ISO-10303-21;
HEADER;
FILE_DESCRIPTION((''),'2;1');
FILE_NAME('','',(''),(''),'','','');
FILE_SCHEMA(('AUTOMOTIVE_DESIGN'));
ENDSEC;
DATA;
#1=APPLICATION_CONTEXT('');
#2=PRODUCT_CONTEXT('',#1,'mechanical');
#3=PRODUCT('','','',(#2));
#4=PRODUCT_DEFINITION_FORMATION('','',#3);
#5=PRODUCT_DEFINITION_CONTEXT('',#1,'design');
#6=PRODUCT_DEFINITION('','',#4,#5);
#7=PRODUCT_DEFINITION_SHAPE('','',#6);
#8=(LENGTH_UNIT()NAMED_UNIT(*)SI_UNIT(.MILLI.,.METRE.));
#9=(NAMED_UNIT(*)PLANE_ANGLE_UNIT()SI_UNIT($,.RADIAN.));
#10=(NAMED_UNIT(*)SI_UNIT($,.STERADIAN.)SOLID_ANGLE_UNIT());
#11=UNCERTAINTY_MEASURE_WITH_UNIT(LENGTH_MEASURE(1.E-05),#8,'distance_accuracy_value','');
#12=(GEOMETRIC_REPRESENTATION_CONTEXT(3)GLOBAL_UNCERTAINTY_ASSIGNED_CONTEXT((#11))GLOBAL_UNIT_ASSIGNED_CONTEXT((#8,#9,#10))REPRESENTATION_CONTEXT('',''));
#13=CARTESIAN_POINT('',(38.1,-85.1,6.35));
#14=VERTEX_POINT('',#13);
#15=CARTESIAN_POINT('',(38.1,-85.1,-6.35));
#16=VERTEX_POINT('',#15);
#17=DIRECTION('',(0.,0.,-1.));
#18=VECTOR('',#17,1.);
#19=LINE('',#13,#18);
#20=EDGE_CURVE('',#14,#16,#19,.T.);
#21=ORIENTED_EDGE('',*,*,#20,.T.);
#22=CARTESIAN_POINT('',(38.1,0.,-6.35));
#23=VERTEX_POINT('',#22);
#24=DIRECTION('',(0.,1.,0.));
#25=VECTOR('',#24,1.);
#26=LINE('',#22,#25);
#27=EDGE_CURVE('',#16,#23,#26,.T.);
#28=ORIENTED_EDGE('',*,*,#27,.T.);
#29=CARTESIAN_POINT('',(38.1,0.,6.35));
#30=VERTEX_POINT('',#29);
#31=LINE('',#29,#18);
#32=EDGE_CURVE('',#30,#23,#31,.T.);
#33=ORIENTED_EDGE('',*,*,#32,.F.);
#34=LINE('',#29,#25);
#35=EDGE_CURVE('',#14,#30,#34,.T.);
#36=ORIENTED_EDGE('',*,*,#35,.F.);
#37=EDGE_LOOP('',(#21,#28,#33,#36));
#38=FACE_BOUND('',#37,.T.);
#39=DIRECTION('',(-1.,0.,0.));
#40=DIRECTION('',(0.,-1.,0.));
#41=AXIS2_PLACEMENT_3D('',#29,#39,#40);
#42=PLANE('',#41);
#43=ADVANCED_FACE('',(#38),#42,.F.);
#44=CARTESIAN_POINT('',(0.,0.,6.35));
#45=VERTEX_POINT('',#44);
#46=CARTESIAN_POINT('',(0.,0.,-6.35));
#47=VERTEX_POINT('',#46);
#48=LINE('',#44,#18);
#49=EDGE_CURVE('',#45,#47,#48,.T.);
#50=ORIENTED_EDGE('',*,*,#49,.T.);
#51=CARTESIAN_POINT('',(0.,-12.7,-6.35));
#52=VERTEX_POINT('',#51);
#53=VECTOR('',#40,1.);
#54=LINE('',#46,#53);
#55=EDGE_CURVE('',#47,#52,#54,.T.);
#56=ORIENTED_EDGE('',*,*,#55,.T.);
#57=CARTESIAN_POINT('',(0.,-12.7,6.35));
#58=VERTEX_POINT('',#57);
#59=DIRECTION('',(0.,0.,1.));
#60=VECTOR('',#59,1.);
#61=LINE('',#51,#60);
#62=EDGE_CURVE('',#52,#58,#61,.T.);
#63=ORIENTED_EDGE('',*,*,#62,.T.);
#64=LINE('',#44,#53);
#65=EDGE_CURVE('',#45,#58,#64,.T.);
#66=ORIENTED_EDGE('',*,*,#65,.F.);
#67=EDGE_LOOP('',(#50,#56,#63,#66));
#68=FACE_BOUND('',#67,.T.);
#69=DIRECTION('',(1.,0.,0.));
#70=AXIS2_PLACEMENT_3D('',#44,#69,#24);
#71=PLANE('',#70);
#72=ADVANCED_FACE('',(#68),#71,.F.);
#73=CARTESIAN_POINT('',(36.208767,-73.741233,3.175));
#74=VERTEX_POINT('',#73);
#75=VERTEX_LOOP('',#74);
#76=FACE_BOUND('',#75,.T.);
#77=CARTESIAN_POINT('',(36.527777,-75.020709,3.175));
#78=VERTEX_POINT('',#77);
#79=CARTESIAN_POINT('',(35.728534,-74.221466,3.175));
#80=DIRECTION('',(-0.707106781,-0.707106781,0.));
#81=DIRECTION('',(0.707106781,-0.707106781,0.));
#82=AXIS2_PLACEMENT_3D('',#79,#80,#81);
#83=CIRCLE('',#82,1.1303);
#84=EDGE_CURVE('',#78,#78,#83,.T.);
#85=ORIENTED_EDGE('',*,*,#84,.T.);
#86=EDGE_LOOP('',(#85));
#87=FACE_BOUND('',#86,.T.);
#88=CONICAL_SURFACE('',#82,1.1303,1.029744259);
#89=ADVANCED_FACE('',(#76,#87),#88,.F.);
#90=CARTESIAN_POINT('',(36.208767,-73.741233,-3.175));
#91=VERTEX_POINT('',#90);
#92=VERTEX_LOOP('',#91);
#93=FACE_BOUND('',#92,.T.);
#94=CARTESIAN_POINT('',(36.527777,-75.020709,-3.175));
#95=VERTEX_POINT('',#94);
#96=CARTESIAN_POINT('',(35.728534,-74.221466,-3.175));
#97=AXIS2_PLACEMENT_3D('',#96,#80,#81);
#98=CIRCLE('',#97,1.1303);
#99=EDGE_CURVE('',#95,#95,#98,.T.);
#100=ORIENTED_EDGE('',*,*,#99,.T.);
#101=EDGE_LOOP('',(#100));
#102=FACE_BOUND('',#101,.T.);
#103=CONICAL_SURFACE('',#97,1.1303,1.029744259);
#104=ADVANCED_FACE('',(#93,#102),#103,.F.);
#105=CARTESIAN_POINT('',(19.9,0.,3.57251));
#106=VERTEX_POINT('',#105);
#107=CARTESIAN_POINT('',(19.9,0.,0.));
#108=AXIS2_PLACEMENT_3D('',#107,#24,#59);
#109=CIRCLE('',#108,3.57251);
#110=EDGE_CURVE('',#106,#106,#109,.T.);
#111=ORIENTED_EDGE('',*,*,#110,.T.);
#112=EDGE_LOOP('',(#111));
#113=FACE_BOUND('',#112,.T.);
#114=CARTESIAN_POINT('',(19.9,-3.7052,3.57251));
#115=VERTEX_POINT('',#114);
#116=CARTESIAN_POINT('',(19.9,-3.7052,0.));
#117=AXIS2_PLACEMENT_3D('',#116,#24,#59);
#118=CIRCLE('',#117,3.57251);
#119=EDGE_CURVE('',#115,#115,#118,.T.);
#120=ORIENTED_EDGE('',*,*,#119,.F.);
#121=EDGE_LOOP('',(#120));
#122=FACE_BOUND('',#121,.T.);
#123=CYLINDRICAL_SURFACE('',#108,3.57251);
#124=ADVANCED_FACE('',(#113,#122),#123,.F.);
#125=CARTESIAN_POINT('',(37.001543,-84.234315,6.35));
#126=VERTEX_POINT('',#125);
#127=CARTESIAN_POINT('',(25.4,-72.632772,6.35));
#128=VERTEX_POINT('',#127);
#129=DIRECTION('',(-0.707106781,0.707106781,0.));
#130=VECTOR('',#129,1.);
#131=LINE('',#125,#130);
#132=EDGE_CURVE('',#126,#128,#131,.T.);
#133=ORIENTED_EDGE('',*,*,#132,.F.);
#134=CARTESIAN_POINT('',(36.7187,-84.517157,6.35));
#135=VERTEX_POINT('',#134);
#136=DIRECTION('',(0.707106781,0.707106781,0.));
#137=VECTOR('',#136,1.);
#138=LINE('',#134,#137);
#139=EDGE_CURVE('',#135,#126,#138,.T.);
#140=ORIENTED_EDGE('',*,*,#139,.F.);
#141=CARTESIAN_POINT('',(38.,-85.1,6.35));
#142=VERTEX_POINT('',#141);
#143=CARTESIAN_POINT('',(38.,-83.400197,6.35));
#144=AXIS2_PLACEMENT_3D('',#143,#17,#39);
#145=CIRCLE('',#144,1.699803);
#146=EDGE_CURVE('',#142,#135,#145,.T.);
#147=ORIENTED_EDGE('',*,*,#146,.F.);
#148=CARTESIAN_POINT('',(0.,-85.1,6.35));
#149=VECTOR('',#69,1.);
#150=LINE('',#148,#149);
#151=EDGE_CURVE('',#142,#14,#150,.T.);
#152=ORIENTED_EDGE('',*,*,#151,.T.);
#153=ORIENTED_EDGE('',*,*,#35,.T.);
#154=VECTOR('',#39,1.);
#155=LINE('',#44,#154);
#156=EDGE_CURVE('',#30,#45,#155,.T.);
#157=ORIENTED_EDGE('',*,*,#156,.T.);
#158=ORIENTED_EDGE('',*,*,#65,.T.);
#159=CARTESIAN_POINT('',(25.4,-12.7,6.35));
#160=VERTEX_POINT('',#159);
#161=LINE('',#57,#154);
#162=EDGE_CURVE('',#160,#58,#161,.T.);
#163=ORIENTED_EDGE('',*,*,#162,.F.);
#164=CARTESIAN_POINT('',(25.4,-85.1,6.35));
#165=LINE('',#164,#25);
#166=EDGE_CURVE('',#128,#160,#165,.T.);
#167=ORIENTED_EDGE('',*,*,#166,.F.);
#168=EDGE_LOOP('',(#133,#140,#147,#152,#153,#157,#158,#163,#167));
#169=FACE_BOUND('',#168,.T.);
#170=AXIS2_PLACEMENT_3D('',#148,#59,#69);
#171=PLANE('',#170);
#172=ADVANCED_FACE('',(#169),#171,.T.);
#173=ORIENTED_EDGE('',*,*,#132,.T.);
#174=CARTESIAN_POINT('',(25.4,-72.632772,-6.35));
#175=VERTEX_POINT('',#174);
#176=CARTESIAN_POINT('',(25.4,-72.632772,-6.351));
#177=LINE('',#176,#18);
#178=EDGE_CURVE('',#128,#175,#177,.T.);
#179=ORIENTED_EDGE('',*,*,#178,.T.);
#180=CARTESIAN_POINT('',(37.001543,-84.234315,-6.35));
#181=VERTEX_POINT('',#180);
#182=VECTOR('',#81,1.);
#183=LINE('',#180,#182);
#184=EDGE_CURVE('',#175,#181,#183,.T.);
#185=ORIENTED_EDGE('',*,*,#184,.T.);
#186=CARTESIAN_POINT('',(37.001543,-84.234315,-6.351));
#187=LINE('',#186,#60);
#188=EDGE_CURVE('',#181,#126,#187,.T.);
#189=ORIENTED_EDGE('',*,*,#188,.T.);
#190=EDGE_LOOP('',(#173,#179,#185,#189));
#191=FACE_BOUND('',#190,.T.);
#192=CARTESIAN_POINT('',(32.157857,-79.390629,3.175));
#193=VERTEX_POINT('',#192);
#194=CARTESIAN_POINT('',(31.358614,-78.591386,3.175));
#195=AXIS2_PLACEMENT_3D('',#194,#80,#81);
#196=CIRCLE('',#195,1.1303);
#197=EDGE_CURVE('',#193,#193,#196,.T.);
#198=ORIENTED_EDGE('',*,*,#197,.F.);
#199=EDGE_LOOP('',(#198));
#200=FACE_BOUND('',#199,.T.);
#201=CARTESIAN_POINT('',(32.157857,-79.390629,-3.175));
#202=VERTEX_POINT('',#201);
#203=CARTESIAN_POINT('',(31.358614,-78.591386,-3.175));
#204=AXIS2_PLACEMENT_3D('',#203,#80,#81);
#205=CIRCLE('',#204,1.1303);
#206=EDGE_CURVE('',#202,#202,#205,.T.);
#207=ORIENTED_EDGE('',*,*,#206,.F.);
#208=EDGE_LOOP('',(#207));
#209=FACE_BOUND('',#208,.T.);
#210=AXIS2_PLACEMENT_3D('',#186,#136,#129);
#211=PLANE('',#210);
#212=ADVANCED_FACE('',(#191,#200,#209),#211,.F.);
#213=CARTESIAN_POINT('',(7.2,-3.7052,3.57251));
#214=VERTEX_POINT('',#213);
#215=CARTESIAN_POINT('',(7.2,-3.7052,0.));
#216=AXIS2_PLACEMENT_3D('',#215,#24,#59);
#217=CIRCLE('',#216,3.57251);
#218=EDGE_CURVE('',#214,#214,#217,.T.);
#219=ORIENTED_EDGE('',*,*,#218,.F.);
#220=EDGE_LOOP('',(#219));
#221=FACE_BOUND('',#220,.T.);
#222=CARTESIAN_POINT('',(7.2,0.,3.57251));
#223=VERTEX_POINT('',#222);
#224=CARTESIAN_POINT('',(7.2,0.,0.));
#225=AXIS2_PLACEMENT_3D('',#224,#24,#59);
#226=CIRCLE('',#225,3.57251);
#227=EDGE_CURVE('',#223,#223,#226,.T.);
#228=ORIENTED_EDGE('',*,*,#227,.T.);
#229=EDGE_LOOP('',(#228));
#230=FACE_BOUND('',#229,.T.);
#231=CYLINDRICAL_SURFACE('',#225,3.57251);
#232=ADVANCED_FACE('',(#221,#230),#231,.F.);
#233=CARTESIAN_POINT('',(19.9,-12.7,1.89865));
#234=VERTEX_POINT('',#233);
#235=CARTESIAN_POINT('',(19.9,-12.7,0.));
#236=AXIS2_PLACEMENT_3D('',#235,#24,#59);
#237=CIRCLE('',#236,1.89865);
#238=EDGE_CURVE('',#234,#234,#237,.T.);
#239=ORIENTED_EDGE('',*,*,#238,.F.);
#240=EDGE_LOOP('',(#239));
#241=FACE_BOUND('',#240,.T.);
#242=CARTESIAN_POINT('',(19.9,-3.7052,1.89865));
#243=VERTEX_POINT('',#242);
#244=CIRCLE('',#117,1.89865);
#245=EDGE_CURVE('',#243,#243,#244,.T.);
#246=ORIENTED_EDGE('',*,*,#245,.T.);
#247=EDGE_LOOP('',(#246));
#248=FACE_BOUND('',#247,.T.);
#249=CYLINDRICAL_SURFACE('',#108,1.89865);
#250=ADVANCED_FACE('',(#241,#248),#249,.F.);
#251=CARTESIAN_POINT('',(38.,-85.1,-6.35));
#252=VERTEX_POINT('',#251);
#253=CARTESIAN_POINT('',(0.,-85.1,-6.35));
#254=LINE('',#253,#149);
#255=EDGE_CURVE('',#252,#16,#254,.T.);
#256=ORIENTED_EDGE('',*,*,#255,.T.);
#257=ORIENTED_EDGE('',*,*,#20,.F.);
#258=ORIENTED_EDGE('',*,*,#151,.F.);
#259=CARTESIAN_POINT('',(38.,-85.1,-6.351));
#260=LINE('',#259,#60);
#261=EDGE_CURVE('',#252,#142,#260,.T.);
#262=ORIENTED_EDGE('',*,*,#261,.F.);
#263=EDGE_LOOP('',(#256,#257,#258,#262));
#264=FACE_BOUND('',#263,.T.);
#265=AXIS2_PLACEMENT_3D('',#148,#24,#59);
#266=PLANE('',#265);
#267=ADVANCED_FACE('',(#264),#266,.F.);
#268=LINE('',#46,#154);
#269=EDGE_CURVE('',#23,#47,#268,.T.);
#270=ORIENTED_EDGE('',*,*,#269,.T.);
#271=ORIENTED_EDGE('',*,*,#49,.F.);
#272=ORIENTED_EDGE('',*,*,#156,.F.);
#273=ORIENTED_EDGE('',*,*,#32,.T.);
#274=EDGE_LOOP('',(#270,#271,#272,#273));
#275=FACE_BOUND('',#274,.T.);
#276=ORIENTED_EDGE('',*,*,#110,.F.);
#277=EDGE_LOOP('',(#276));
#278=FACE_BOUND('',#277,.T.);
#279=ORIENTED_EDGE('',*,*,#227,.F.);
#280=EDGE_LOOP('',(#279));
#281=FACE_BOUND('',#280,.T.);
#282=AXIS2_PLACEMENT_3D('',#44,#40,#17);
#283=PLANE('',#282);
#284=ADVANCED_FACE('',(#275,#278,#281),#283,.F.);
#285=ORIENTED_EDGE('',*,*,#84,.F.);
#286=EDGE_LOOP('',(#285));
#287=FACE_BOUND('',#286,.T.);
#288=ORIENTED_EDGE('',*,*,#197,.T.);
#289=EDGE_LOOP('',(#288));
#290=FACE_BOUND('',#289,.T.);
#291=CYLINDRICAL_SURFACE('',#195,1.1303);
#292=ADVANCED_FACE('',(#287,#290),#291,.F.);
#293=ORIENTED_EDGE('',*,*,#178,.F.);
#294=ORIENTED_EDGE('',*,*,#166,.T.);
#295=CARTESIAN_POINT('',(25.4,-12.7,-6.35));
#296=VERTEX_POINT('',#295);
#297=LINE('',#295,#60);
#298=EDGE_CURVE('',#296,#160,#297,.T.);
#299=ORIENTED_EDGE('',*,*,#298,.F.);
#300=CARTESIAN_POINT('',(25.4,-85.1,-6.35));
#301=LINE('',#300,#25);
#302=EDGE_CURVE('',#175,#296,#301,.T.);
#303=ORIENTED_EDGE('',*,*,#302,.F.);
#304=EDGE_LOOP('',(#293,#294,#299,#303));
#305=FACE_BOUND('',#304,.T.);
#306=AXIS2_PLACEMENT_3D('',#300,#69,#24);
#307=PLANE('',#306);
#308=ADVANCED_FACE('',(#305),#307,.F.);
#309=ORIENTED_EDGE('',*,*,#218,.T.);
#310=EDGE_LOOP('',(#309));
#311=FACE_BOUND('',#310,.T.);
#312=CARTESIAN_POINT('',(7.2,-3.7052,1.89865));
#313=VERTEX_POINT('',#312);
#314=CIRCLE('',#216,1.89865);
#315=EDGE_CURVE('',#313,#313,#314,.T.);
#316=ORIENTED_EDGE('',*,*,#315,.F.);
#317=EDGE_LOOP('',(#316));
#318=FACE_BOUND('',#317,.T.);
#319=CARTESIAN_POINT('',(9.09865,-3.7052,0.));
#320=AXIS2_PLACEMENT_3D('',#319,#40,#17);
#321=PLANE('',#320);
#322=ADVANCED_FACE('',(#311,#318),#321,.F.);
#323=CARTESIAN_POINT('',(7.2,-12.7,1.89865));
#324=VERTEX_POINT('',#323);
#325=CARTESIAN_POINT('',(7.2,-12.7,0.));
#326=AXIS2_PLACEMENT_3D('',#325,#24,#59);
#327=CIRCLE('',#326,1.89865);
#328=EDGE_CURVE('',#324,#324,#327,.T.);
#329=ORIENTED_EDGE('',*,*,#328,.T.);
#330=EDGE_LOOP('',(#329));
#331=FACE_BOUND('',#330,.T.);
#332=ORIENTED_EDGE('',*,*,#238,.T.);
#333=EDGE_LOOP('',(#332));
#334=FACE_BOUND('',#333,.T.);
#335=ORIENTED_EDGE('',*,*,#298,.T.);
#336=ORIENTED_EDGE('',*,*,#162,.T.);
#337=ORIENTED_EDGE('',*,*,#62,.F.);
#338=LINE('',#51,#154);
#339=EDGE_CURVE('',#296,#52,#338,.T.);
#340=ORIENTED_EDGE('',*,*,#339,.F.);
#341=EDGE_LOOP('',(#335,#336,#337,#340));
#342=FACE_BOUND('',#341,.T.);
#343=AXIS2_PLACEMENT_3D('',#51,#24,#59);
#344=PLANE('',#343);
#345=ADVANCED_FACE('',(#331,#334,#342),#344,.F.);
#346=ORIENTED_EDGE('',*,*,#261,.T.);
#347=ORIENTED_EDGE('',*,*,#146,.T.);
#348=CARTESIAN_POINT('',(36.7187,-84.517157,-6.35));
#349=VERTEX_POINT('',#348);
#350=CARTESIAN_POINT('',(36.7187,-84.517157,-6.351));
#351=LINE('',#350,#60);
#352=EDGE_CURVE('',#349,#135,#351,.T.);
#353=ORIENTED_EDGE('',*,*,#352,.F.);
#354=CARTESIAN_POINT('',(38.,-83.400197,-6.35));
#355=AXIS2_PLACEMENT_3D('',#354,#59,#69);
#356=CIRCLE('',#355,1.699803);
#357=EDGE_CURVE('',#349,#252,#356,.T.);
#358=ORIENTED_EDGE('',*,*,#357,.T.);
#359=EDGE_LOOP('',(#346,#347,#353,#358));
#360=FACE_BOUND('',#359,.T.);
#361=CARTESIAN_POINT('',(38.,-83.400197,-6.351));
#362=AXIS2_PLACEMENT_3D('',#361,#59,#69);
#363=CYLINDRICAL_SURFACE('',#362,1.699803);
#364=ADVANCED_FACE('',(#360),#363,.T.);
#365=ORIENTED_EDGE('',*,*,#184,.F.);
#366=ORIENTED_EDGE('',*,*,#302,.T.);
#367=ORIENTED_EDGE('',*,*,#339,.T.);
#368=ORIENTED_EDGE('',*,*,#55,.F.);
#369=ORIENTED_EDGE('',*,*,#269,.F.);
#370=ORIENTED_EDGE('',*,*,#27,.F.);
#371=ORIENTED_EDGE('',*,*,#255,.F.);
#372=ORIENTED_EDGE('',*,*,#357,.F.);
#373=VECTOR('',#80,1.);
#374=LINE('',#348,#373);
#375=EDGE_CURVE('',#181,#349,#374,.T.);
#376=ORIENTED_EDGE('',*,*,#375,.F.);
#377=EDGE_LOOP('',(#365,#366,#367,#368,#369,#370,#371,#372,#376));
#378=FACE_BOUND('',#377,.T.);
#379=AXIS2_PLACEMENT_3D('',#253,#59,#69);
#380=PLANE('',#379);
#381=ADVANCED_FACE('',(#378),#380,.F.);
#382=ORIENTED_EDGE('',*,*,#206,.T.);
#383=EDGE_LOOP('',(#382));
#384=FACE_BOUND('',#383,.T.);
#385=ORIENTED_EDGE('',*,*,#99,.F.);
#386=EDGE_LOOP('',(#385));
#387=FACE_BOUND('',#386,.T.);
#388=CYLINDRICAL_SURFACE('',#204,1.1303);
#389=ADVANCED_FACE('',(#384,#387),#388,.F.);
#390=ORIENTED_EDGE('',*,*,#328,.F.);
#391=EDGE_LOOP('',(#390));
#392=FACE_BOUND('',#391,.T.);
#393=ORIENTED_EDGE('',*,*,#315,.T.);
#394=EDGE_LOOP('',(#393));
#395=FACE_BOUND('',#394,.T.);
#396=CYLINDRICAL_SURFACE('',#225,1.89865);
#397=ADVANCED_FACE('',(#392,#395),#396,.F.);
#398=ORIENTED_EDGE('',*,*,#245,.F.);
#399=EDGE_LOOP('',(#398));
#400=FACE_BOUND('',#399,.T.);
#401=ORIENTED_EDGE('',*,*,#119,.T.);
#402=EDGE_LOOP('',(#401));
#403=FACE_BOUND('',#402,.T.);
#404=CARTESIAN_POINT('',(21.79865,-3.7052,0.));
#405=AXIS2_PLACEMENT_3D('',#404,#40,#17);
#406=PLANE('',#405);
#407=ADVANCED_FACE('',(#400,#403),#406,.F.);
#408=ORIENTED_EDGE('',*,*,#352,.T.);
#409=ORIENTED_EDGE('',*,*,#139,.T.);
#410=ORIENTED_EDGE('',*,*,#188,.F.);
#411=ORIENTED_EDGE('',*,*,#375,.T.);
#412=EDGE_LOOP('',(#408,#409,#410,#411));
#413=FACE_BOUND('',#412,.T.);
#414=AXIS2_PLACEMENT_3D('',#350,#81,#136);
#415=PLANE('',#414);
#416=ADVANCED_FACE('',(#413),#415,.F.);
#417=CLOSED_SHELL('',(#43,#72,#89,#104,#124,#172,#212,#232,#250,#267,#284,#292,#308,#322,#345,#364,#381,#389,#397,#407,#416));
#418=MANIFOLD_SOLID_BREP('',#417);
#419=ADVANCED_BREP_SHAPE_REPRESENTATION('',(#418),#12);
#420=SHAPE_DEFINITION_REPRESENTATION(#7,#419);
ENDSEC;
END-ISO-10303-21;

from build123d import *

# Parameters (mm, degrees)
SKETCH1_W                                      = 38.1
SKETCH1_H                                      = 85.1
BOSS_EXTRUDE1_DEPTH                            = 6.35
SKETCH2_W                                      = 25.4
SKETCH2_H                                      = 72.4
CUT_EXTRUDE1_DEPTH                             = 13.7
CBORE_FOR_6_SOCKET_HEAD_CAP_SCREW1_D           = 3.7973
CBORE_FOR_6_SOCKET_HEAD_CAP_SCREW1_CBORE_D     = 7.14502
CBORE_FOR_6_SOCKET_HEAD_CAP_SCREW1_CBORE_DEPTH = 3.7051996
CUT_EXTRUDE2_DEPTH                             = 13.7
CUT_EXTRUDE7_REACH                             = 14.7
F_4_40_TAPPED_HOLE1_D                          = 2.2606
F_4_40_TAPPED_HOLE1_DEPTH                      = 6.18
F_4_40_TAPPED_HOLE1_TIP                        = 0.679152758


with BuildPart() as part:
    # Sketch1 → Boss-Extrude1 (new body, symmetric)
    with BuildSketch(Plane.XY):
        with Locations((19.05, -42.55)):
            Rectangle(SKETCH1_W, SKETCH1_H)
    extrude(amount=BOSS_EXTRUDE1_DEPTH, both=True)

    # Sketch2 → Cut-Extrude1 (cut, through all)
    with BuildSketch(Plane.XY.offset(6.35)):
        with Locations((12.7, -48.9)):
            Rectangle(SKETCH2_W, SKETCH2_H)
    extrude(amount=-CUT_EXTRUDE1_DEPTH, mode=Mode.SUBTRACT)

    # CBORE for #6 Socket Head Cap Screw1 (through all)
    with Locations(Plane(origin=(0, 0, 0), x_dir=(-1, 0, 0), z_dir=(0, 1, 0))):
        with Locations((-7.2, 0), (-19.9, 0)):
            CounterBoreHole(CBORE_FOR_6_SOCKET_HEAD_CAP_SCREW1_D / 2, CBORE_FOR_6_SOCKET_HEAD_CAP_SCREW1_CBORE_D / 2, CBORE_FOR_6_SOCKET_HEAD_CAP_SCREW1_CBORE_DEPTH)

    # Sketch9 → Cut-Extrude2 (cut, through all)
    with BuildSketch(Plane.XY.offset(6.35)):
        with BuildLine():
            Line((25.4, -84.8), (36.685857157, -84.8))
            ThreePointArc((36.685857157, -84.8), (37.012701665, -85.021954446), (37.4, -85.1))
            Line((37.4, -85.1), (38.1, -85.1))
            Line((38.1, -85.1), (38.1, -88.1))
            Line((38.1, -88.1), (25.4, -88.1))
            Line((25.4, -88.1), (25.4, -84.8))
        make_face()
    extrude(amount=-CUT_EXTRUDE2_DEPTH, mode=Mode.SUBTRACT)

    # Sketch24 → Cut-Extrude7 (cut, up to next)
    with BuildSketch(Plane.XY.offset(6.35), mode=Mode.PRIVATE) as cut_extrude7_sk1:
        with BuildLine():
            Line((38.1, -85.1), (38, -85.1))
            ThreePointArc((38, -85.1), (37.296182614, -84.947443375), (36.71869987, -84.517157288))
            Line((36.71869987, -84.517157288), (37.001542582, -84.234314575))
            Line((37.001542582, -84.234314575), (25.4, -72.632771993))
            Line((25.4, -72.632771993), (22.894805483, -72.632771993))
            Line((22.894805483, -72.632771993), (22.894805483, -86.862285397))
            Line((22.894805483, -86.862285397), (38.1, -86.862285397))
            Line((38.1, -86.862285397), (38.1, -85.1))
        make_face()
    cut_extrude7_tool1 = extrude(cut_extrude7_sk1.sketch, amount=-CUT_EXTRUDE7_REACH, mode=Mode.PRIVATE) & part.part
    add(cut_extrude7_tool1.solids().sort_by_distance((28.474666, -81.452091, 6.35))[0], mode=Mode.SUBTRACT)

    # #4-40 Tapped Hole1
    with Locations(Plane(origin=(-19.288878517, -27.943893476, 153.694490084), x_dir=(0.707106781, -0.707106781, 0), z_dir=(-0.707106781, -0.707106781, 0))):
        with Locations((71.626370823, -150.519490084), (71.626370823, -156.869490084)):
            Hole(F_4_40_TAPPED_HOLE1_D / 2, depth=F_4_40_TAPPED_HOLE1_DEPTH)
            with Locations((0, 0, -(F_4_40_TAPPED_HOLE1_DEPTH + F_4_40_TAPPED_HOLE1_TIP / 2))):  # 118° drill point
                Cone(0, F_4_40_TAPPED_HOLE1_D / 2, F_4_40_TAPPED_HOLE1_TIP, mode=Mode.SUBTRACT)


solid = part.part
